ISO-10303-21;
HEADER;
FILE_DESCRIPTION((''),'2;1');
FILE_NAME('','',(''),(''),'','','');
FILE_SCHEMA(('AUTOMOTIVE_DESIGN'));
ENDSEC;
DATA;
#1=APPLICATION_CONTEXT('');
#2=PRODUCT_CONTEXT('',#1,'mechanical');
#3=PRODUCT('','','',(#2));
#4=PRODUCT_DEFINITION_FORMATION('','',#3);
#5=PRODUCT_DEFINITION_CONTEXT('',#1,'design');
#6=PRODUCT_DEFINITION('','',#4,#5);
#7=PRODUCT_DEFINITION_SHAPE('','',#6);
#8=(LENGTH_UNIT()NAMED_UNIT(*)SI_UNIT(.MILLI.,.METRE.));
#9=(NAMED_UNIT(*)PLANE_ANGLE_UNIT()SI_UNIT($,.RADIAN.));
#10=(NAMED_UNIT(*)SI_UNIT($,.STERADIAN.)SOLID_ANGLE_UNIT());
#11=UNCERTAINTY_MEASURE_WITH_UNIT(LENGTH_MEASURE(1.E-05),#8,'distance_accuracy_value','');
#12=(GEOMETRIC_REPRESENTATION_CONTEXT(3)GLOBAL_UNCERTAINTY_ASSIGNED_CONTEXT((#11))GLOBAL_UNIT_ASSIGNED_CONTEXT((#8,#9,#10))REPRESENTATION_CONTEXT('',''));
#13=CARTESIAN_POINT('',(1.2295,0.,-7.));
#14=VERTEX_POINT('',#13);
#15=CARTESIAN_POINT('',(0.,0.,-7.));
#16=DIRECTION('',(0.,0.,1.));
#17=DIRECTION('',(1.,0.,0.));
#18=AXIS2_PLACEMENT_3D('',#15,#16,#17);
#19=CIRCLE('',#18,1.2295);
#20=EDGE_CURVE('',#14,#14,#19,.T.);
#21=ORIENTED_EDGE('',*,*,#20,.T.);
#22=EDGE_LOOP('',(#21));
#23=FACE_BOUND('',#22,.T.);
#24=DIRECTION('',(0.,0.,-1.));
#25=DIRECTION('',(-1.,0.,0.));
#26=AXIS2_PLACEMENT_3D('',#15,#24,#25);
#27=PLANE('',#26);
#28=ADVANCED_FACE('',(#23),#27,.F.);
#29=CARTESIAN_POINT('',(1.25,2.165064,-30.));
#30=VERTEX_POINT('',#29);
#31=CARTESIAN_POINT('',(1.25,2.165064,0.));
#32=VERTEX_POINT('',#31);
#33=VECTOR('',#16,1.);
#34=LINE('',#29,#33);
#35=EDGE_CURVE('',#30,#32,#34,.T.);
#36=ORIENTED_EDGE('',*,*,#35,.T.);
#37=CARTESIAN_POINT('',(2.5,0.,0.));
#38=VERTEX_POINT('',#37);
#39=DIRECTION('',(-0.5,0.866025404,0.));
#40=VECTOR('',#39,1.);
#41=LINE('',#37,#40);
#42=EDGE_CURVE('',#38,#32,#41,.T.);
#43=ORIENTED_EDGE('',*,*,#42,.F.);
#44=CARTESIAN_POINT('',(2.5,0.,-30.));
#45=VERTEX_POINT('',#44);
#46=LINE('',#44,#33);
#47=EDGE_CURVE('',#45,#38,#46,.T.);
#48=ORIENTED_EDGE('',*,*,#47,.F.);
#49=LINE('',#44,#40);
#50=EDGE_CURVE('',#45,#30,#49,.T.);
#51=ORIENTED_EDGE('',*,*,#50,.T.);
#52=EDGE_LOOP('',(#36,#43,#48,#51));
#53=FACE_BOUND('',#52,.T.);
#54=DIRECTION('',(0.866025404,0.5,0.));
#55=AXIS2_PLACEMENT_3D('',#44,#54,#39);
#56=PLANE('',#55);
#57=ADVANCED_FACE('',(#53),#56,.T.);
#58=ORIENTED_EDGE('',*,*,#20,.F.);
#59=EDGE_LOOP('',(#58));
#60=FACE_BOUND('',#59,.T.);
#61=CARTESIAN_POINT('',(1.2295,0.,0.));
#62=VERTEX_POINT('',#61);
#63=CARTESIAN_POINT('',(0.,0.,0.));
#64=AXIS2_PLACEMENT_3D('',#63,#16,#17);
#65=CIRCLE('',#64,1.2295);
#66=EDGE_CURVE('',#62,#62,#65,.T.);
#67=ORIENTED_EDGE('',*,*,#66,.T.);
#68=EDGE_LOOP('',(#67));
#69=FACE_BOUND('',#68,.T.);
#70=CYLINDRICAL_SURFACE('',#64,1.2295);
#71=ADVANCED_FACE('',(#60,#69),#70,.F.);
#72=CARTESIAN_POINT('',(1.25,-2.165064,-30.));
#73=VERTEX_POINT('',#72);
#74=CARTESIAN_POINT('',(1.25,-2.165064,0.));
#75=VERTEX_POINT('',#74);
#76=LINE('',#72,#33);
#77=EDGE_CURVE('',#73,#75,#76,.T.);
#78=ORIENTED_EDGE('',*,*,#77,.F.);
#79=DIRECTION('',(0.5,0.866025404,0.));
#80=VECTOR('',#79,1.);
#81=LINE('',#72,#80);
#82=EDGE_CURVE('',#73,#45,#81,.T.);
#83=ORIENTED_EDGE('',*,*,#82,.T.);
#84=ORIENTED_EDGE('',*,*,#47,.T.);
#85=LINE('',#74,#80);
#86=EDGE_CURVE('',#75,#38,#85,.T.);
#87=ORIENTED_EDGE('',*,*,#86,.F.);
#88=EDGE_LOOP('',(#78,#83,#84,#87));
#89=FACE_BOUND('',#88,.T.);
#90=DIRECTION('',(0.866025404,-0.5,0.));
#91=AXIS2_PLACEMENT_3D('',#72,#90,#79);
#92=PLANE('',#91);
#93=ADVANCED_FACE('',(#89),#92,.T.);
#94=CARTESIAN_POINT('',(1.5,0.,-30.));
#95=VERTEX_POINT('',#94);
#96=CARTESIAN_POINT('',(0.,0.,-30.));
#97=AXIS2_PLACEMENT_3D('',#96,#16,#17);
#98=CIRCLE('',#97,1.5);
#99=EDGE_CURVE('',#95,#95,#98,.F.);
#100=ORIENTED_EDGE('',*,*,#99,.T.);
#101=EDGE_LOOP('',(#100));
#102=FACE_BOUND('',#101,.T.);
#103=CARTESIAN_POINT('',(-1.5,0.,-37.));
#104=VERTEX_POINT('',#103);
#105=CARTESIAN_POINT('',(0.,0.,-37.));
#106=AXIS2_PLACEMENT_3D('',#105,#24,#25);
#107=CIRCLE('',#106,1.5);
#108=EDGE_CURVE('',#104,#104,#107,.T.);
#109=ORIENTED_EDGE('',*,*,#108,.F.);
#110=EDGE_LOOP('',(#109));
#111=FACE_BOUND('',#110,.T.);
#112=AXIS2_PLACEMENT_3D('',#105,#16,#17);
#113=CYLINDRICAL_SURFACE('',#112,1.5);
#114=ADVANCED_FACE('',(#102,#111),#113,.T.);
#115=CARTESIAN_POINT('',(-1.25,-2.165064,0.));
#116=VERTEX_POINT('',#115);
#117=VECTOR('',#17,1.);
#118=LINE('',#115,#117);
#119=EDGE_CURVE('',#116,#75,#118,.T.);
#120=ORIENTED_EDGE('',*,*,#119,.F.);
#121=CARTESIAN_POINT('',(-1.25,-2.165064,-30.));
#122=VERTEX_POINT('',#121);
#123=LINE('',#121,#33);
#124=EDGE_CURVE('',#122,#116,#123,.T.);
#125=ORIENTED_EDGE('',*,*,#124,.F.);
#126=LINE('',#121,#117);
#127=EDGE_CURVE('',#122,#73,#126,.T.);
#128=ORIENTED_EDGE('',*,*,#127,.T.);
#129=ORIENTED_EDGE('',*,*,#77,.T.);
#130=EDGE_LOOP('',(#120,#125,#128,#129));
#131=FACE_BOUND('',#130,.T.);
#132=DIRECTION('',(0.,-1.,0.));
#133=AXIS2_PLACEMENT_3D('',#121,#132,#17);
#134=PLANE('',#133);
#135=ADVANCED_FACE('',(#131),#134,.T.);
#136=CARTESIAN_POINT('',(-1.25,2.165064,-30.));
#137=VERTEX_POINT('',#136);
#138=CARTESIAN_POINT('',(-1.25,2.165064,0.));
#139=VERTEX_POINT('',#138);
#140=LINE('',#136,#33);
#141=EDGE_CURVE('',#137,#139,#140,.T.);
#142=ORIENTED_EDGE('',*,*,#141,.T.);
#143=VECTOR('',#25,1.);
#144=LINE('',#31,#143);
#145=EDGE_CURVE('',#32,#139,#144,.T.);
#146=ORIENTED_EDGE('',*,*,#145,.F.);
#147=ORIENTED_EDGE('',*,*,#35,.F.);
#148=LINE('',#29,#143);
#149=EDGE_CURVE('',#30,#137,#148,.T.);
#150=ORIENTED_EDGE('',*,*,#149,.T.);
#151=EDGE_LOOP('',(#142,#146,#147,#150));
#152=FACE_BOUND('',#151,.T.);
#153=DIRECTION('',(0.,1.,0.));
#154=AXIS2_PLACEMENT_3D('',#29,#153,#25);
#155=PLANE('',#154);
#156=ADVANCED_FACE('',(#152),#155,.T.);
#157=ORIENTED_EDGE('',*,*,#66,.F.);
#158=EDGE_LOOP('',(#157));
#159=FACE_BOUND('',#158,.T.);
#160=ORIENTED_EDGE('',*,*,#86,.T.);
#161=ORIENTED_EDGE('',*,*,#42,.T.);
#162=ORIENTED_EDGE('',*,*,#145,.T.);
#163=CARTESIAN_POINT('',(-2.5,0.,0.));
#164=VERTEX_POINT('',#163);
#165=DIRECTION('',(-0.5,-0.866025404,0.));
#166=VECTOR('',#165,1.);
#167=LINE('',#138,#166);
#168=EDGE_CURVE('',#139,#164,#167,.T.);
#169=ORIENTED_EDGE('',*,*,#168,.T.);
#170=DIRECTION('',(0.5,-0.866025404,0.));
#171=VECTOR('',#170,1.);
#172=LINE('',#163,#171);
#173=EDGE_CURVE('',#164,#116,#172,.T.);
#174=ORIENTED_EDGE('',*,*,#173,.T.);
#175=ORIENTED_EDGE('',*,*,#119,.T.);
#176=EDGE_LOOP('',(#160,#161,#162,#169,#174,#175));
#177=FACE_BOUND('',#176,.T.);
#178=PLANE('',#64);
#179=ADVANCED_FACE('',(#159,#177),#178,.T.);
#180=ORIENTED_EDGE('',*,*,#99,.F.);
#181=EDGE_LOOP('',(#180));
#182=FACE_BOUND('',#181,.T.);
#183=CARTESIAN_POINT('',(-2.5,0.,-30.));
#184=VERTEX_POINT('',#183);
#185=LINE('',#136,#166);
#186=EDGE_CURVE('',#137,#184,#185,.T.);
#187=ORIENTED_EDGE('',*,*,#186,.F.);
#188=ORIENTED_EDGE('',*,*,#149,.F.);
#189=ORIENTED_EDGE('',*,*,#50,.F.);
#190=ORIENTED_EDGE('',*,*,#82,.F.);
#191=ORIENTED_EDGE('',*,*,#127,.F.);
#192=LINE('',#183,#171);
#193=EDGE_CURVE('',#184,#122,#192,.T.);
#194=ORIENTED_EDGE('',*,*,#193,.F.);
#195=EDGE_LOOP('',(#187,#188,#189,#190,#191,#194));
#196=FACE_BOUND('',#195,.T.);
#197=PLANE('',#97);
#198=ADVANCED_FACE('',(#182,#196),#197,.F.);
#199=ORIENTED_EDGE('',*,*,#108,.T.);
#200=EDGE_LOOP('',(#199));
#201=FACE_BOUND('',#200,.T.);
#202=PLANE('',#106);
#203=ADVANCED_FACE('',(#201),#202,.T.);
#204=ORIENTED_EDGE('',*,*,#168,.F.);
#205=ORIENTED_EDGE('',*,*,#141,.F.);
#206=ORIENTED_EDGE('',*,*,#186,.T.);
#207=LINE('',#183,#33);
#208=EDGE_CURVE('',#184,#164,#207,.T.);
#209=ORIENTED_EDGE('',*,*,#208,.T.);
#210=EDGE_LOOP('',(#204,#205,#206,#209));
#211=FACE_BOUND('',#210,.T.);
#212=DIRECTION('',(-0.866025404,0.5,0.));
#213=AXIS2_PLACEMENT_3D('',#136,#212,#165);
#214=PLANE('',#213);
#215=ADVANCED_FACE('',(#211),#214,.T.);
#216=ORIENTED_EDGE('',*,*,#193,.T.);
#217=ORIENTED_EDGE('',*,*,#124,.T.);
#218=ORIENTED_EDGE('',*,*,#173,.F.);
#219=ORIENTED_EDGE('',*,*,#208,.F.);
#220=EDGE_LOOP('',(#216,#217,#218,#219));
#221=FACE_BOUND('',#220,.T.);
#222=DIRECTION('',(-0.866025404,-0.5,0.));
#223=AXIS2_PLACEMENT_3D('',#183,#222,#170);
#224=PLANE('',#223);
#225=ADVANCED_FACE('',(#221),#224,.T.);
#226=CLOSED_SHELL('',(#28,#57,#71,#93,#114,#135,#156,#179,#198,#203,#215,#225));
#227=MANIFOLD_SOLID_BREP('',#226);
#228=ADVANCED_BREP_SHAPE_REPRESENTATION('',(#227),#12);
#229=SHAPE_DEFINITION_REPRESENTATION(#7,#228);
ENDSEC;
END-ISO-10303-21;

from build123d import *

# Parameters (mm, degrees)
ESTRUSIONE_ESTRUSIONE1_DEPTH = 30
SCHIZZO2_R                   = 1.5
ESTRUSIONE_ESTRUSIONE2_DEPTH = 7
FORO1_D                      = 2.459
FORO1_DEPTH                  = 7


with BuildPart() as part:
    # Schizzo1 → Estrusione-Estrusione1 (new body)
    with BuildSketch(Plane.XY):
        Polygon((1.25, -2.165063509), (2.5, 0), (1.25, 2.165063509), (-1.25, 2.165063509), (-2.5, 0), (-1.25, -2.165063509), align=None)
    extrude(amount=-ESTRUSIONE_ESTRUSIONE1_DEPTH)

    # Schizzo2 → Estrusione-Estrusione2 (add)
    with BuildSketch(Plane(origin=(0, 0, -30), x_dir=(-1, 0, 0), z_dir=(0, 0, -1))):
        Circle(SCHIZZO2_R)
    extrude(amount=ESTRUSIONE_ESTRUSIONE2_DEPTH)

    # Foro1
    with Locations(Plane.XY):
        with Locations((0, 0)):
            Hole(FORO1_D / 2, depth=FORO1_DEPTH)


solid = part.part
